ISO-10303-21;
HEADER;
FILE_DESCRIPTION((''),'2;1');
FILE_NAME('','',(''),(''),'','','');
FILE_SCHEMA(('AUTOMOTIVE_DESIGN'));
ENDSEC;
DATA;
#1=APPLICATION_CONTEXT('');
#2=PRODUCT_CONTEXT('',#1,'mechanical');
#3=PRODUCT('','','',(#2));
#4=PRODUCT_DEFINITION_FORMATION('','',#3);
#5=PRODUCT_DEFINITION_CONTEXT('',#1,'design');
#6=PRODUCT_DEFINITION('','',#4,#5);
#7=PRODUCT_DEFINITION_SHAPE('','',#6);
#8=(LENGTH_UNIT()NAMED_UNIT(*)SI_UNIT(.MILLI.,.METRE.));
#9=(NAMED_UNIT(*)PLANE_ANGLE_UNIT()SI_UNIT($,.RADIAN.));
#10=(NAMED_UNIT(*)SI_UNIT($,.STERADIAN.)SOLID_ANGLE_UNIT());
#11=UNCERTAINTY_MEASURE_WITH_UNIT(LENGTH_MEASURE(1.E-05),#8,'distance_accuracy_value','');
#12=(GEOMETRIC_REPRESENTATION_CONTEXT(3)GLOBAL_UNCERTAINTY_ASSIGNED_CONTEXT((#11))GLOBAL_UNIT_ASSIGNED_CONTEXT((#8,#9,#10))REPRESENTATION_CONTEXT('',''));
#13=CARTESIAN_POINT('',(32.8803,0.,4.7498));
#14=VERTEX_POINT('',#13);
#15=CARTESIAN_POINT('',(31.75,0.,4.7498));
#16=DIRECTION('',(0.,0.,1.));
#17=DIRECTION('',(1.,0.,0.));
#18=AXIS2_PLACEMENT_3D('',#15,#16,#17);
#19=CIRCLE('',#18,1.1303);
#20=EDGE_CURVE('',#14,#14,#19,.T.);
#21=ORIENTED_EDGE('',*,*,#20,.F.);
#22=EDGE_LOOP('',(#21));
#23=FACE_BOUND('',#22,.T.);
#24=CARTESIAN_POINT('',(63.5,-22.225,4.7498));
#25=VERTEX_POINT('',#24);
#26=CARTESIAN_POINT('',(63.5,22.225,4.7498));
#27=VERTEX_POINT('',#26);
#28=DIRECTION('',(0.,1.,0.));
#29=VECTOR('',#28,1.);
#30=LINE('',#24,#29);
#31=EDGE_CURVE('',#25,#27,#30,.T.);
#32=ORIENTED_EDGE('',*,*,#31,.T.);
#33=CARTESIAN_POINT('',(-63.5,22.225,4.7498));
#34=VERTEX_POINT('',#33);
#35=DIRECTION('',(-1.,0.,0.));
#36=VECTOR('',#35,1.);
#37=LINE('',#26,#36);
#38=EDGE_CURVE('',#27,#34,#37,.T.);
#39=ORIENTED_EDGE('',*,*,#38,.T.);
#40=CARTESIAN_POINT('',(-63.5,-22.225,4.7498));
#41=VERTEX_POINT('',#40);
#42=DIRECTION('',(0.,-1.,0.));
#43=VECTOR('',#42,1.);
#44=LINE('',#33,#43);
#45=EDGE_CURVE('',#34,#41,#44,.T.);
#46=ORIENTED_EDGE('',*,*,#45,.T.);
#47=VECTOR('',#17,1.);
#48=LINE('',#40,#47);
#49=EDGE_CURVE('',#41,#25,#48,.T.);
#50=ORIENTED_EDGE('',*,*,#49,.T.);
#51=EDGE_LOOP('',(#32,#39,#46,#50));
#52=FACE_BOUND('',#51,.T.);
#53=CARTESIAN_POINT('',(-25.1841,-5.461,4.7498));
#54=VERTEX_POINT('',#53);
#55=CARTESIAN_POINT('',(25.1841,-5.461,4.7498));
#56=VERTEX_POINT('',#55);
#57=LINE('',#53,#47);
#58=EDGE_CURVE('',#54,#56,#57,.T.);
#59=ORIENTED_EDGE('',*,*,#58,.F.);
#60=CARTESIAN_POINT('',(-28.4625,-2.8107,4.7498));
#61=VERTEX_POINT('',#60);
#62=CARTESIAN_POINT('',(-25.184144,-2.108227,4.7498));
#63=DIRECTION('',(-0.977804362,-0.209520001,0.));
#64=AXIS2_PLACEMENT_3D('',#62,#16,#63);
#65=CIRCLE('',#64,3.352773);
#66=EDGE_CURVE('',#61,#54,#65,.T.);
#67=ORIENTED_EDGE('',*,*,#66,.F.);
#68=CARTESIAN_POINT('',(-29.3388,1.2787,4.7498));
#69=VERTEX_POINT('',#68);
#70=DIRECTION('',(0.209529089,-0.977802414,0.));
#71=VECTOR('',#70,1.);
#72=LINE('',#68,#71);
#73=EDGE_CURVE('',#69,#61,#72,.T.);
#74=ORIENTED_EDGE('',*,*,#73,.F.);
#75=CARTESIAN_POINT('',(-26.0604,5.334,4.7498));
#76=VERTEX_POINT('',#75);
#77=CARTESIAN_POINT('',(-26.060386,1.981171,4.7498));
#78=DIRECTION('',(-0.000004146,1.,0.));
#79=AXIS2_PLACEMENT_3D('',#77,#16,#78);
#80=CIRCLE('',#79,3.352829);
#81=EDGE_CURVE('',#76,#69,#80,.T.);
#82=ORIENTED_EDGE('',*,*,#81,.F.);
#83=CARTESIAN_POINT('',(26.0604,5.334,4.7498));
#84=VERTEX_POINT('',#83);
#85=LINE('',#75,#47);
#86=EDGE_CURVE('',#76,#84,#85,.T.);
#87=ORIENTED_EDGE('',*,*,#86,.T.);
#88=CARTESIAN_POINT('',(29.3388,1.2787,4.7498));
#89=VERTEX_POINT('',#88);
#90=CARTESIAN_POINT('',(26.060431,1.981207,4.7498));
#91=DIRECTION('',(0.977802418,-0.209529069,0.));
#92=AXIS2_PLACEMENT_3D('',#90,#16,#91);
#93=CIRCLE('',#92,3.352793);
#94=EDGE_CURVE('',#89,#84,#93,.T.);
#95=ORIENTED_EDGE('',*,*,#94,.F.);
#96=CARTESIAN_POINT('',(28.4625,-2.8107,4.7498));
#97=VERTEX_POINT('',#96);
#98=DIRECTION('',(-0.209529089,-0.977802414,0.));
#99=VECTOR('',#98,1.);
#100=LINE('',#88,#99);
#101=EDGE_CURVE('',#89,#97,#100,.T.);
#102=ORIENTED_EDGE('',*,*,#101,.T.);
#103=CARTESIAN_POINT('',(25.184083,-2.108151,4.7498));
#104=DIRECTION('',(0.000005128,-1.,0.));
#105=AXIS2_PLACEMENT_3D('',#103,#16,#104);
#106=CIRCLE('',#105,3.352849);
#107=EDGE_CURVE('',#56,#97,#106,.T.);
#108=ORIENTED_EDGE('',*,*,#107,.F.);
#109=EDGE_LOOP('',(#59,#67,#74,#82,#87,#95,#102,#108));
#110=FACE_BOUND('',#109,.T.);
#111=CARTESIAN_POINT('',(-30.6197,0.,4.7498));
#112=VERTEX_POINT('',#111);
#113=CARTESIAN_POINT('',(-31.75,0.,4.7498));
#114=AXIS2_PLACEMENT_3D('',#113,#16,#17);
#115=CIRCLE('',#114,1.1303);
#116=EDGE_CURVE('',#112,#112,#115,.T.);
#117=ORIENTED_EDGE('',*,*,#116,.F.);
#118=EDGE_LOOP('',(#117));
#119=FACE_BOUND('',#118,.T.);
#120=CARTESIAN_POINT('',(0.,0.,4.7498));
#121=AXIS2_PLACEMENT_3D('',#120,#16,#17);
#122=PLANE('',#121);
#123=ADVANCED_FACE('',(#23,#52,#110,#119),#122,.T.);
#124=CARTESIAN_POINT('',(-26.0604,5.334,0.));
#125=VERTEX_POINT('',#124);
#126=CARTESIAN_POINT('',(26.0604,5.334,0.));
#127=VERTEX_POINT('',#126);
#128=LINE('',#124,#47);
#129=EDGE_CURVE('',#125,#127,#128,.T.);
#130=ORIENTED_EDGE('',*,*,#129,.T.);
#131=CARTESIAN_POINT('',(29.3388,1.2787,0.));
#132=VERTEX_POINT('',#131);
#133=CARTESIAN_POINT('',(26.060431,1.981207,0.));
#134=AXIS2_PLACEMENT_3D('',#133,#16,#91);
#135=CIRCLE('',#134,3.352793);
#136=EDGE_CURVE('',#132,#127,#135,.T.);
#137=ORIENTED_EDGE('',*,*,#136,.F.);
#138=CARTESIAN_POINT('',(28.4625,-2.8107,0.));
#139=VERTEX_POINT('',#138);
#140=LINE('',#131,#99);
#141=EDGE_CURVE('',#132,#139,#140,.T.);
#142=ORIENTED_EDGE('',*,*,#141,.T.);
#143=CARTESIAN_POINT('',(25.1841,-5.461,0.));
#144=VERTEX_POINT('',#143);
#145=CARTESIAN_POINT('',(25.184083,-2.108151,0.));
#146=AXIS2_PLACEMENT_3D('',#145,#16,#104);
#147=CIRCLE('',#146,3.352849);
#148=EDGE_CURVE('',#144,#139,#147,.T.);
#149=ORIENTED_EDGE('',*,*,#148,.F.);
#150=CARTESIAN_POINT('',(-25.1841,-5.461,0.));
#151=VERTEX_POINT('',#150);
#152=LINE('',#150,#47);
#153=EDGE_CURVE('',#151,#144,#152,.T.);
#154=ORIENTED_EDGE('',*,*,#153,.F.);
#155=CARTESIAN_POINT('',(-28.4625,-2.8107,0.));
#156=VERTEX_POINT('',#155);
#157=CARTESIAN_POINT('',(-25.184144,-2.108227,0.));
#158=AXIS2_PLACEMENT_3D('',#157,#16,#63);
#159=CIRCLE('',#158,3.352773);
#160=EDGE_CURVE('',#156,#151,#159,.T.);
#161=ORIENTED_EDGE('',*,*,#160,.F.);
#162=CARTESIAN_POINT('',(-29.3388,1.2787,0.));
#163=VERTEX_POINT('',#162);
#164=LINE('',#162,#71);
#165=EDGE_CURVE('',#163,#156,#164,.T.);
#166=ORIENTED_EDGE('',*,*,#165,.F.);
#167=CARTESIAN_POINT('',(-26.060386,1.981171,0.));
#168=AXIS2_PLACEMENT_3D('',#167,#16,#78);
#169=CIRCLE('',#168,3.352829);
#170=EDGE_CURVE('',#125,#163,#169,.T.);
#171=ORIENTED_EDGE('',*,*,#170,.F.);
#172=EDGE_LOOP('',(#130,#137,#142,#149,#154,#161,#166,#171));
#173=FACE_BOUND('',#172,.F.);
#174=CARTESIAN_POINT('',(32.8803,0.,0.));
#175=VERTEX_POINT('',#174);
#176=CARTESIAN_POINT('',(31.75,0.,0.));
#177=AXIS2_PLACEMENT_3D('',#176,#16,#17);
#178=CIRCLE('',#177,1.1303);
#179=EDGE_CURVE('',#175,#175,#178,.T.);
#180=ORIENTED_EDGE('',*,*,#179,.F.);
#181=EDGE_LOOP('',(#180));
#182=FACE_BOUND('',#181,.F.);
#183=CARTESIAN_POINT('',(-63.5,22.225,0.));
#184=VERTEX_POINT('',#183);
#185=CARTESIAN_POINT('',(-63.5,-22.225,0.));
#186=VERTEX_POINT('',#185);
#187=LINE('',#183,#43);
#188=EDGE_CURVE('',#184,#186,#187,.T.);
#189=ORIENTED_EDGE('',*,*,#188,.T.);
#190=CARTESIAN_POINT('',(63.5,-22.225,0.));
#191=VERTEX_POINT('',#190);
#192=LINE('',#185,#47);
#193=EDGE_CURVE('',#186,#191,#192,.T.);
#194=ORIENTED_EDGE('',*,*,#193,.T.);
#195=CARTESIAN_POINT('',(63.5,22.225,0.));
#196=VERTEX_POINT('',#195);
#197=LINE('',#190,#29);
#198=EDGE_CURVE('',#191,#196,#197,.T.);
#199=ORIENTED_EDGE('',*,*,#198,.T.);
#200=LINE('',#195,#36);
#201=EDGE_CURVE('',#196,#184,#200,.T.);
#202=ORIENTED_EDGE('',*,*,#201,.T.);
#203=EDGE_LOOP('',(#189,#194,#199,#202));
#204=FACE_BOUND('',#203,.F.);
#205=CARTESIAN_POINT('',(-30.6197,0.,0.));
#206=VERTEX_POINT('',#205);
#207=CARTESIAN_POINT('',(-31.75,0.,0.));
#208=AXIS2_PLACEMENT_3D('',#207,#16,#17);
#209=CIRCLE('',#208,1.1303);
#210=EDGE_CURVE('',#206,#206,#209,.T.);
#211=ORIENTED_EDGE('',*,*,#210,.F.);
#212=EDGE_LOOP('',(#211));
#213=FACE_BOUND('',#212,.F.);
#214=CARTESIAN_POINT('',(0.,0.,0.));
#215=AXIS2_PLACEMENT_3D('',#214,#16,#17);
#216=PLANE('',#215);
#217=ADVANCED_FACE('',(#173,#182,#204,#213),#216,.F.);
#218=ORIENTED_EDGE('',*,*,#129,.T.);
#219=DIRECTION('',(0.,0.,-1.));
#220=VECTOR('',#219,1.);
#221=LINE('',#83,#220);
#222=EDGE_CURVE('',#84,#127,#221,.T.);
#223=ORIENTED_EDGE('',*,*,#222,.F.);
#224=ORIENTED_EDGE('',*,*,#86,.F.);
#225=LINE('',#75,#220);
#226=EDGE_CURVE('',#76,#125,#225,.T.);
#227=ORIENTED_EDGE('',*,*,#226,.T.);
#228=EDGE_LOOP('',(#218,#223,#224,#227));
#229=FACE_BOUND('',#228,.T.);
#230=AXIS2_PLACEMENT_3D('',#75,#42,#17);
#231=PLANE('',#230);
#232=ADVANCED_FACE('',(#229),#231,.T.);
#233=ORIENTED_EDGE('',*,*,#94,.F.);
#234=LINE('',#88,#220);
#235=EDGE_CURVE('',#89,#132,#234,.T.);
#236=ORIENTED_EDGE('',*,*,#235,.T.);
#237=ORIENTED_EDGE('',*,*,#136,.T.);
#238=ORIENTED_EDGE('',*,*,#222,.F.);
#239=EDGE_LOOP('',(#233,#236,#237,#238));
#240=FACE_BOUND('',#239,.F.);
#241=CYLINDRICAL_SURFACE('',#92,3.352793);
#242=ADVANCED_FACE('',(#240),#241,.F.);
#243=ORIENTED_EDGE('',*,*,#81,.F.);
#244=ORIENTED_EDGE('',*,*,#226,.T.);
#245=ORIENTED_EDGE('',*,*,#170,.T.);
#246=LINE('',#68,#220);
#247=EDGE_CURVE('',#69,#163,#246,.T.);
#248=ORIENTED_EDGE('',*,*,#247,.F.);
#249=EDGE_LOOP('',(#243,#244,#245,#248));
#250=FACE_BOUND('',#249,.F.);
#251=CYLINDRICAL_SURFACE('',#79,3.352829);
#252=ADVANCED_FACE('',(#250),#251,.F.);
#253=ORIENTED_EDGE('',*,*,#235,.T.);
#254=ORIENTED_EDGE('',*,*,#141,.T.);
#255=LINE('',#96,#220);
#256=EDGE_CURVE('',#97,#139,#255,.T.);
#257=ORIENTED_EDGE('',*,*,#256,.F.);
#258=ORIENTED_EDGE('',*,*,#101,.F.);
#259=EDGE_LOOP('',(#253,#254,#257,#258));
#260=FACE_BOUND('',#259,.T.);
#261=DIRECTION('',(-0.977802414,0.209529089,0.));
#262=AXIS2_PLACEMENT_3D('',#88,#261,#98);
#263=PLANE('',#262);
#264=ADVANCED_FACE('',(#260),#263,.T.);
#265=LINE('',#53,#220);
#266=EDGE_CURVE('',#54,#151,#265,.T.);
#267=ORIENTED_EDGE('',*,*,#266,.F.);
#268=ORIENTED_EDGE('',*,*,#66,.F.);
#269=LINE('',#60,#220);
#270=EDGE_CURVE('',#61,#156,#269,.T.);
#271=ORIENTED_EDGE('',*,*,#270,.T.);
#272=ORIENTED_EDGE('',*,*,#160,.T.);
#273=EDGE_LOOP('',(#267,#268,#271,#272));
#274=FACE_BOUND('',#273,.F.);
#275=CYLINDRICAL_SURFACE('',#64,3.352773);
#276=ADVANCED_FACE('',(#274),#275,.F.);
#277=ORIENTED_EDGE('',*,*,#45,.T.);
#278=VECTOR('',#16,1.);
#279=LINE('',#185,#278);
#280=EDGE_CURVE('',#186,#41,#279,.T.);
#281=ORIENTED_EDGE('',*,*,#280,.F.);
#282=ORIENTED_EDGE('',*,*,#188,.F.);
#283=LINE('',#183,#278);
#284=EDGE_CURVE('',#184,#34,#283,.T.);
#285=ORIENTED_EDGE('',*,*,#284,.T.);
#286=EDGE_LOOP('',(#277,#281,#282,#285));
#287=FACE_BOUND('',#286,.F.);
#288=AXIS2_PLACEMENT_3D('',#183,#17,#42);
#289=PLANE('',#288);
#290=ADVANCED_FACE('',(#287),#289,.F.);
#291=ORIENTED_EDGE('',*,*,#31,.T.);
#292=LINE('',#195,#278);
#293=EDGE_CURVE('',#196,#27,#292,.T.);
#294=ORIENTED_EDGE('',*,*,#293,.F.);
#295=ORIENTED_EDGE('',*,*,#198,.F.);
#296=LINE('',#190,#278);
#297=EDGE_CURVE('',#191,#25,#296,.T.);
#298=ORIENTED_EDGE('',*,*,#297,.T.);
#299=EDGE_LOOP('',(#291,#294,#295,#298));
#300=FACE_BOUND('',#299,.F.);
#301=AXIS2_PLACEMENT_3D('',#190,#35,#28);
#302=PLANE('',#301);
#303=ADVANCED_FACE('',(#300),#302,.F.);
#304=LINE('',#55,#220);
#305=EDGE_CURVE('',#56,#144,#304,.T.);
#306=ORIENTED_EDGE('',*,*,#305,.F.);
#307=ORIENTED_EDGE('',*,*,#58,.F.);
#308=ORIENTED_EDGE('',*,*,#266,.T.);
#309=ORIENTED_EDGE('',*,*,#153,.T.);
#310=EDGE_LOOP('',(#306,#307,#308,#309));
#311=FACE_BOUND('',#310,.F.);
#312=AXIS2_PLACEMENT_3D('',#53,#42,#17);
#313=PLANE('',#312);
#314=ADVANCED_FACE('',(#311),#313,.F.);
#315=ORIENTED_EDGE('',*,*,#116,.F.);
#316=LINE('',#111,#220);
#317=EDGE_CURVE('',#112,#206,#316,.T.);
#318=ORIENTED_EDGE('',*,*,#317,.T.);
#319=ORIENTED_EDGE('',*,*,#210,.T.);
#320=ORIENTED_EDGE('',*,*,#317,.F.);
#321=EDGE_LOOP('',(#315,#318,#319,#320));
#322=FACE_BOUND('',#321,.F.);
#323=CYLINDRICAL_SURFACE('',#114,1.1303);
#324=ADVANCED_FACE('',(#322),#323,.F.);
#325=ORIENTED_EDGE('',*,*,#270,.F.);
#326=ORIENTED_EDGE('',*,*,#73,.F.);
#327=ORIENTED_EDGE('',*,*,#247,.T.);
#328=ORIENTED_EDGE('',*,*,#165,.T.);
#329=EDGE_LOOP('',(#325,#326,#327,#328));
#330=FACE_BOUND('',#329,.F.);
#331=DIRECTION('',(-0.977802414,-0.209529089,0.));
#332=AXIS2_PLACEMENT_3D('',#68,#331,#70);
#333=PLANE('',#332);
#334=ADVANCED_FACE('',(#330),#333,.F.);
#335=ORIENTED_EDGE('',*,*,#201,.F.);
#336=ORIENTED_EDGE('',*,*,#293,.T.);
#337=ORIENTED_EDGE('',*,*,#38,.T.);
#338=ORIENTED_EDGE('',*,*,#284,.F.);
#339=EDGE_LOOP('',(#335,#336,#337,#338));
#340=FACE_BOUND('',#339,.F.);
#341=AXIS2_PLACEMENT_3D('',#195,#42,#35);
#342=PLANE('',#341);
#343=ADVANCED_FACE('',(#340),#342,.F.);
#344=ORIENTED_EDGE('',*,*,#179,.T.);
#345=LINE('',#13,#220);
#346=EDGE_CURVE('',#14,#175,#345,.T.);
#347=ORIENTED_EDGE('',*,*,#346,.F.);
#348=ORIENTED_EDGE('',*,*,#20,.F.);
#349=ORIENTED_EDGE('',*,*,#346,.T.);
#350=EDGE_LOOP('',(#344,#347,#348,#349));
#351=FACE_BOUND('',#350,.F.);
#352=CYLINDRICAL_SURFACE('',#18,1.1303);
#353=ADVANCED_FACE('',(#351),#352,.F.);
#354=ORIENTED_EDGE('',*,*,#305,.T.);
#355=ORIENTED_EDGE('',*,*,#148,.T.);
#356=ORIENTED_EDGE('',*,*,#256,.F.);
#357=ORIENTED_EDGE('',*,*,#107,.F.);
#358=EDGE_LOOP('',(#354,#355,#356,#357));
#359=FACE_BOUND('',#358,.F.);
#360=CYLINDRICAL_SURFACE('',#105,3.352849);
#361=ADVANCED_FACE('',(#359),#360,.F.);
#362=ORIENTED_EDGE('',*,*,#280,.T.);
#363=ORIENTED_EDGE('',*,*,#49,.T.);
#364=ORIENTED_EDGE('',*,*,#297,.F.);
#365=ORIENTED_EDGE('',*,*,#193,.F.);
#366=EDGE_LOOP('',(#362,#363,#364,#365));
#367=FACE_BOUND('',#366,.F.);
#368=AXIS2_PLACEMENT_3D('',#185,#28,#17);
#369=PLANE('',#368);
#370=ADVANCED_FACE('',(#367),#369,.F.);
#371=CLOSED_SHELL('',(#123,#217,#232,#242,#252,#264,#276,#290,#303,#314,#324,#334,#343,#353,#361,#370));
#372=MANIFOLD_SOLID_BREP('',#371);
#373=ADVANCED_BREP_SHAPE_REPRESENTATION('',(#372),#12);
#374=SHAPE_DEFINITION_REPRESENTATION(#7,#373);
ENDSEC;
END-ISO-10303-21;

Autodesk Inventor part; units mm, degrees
ref_plane "YZ Plane" through (0, 0, 0) normal (1, 0, 0) x (0, 1, 0)
ref_plane "XZ Plane" through (0, 0, 0) normal (0, 1, 0) x (-1, 0, 0)
ref_plane "XY Plane" through (0, 0, 0) normal (0, 0, 1) x (1, 0, 0)
sketch "Sketch1" plane through (0, 0, 0) normal (0, 0, 1) x (1, 0, 0)
  line L0 (-63.5, -22.225) -> (63.5, -22.225)
  line L1 (63.5, -22.225) -> (63.5, 22.225)
  line L2 (63.5, 22.225) -> (-63.5, 22.225)
  line L3 (-63.5, 22.225) -> (-63.5, -22.225)
  line L4 (-63.5, -22.225) -> (63.5, 22.225) construction
  line L5 (63.5, -22.225) -> (-63.5, 22.225) construction
  point P0 (0, 0)
  dimension "d0" = 127
  dimension "d1" = 44.45
extrude "Extrusion1" add sketch "Sketch1" along normal blind 4.7498
sketch "Sketch2" plane through (0, 0, 4.7498) normal (0, 0, 1) x (1, 0, 0)
  point P0 (0, 0)
sketch "Sketch3" plane through (0, 0, 4.7498) normal (0, 0, 1) x (1, 0, 0)
  line L0 (-63.5, -22.225) -> (63.5, -22.225) construction
  line L1 (63.5, -22.225) -> (63.5, 22.225) construction
  line L2 (63.5, 22.225) -> (-63.5, 22.225) construction
  line L3 (-63.5, 22.225) -> (-63.5, -22.225) construction
  line L4 (0, 22.225) -> (0, -22.225) construction
  circle A0 centre (-31.75, 0) radius 1.1303
  circle A1 centre (31.75, 0) radius 1.1303
  line L5 (-31.75, 0) -> (31.75, 0) construction
  line L6 (-26.0604, 5.334) -> (26.0604, 5.334)
  line L7 (-25.1841, -5.461) -> (25.1841, -5.461)
  arc A2 (29.3388, 1.2787) -> (26.0604, 5.334) centre (26.0604, 1.9812) ccw
  arc A3 (25.1841, -5.461) -> (28.4625, -2.8107) centre (25.1841, -2.1082) ccw
  arc A4 (-26.0604, 5.334) -> (-29.3388, 1.2787) centre (-26.0604, 1.9812) ccw
  line L8 (-29.3388, 1.2787) -> (-28.4625, -2.8107)
  line L9 (29.3388, 1.2787) -> (28.4625, -2.8107)
  arc A5 (-28.4625, -2.8107) -> (-25.1841, -5.461) centre (-25.1841, -2.1082) ccw
  line L10 (29.3388, 1.2787) -> (29.3388, -4.741) construction
  point P0 (0, 0)
  point P1 (0, 5.334)
  point P2 (0, -5.461)
  point P3 (-29.0648, 0)
  point P4 (-30.6197, 0)
  point P5 (-29.0648, 0)
  point P6 (-30.6197, 0)
  point P7 (-30.6197, 0)
  point P8 (-29.0648, 0)
  point P9 (29.0648, 0)
  dimension "d7" = 2.2606
  dimension "d8" = 2.2606
  dimension "d9" = 63.5
  dimension "d11" = 6.7056
  dimension "d13" = 6.7056
  dimension "d15" = 52.1208
  dimension "d16" = 50.3682
  dimension "d17" = 10.795
  dimension "d20" = 5.334
  dimension "d24" = 3.3528
  dimension "d25" = 3.3528
extrude "Extrusion2" cut sketch "Sketch3" against normal blind 4.7498
properties part number "dsub37_cutout"
